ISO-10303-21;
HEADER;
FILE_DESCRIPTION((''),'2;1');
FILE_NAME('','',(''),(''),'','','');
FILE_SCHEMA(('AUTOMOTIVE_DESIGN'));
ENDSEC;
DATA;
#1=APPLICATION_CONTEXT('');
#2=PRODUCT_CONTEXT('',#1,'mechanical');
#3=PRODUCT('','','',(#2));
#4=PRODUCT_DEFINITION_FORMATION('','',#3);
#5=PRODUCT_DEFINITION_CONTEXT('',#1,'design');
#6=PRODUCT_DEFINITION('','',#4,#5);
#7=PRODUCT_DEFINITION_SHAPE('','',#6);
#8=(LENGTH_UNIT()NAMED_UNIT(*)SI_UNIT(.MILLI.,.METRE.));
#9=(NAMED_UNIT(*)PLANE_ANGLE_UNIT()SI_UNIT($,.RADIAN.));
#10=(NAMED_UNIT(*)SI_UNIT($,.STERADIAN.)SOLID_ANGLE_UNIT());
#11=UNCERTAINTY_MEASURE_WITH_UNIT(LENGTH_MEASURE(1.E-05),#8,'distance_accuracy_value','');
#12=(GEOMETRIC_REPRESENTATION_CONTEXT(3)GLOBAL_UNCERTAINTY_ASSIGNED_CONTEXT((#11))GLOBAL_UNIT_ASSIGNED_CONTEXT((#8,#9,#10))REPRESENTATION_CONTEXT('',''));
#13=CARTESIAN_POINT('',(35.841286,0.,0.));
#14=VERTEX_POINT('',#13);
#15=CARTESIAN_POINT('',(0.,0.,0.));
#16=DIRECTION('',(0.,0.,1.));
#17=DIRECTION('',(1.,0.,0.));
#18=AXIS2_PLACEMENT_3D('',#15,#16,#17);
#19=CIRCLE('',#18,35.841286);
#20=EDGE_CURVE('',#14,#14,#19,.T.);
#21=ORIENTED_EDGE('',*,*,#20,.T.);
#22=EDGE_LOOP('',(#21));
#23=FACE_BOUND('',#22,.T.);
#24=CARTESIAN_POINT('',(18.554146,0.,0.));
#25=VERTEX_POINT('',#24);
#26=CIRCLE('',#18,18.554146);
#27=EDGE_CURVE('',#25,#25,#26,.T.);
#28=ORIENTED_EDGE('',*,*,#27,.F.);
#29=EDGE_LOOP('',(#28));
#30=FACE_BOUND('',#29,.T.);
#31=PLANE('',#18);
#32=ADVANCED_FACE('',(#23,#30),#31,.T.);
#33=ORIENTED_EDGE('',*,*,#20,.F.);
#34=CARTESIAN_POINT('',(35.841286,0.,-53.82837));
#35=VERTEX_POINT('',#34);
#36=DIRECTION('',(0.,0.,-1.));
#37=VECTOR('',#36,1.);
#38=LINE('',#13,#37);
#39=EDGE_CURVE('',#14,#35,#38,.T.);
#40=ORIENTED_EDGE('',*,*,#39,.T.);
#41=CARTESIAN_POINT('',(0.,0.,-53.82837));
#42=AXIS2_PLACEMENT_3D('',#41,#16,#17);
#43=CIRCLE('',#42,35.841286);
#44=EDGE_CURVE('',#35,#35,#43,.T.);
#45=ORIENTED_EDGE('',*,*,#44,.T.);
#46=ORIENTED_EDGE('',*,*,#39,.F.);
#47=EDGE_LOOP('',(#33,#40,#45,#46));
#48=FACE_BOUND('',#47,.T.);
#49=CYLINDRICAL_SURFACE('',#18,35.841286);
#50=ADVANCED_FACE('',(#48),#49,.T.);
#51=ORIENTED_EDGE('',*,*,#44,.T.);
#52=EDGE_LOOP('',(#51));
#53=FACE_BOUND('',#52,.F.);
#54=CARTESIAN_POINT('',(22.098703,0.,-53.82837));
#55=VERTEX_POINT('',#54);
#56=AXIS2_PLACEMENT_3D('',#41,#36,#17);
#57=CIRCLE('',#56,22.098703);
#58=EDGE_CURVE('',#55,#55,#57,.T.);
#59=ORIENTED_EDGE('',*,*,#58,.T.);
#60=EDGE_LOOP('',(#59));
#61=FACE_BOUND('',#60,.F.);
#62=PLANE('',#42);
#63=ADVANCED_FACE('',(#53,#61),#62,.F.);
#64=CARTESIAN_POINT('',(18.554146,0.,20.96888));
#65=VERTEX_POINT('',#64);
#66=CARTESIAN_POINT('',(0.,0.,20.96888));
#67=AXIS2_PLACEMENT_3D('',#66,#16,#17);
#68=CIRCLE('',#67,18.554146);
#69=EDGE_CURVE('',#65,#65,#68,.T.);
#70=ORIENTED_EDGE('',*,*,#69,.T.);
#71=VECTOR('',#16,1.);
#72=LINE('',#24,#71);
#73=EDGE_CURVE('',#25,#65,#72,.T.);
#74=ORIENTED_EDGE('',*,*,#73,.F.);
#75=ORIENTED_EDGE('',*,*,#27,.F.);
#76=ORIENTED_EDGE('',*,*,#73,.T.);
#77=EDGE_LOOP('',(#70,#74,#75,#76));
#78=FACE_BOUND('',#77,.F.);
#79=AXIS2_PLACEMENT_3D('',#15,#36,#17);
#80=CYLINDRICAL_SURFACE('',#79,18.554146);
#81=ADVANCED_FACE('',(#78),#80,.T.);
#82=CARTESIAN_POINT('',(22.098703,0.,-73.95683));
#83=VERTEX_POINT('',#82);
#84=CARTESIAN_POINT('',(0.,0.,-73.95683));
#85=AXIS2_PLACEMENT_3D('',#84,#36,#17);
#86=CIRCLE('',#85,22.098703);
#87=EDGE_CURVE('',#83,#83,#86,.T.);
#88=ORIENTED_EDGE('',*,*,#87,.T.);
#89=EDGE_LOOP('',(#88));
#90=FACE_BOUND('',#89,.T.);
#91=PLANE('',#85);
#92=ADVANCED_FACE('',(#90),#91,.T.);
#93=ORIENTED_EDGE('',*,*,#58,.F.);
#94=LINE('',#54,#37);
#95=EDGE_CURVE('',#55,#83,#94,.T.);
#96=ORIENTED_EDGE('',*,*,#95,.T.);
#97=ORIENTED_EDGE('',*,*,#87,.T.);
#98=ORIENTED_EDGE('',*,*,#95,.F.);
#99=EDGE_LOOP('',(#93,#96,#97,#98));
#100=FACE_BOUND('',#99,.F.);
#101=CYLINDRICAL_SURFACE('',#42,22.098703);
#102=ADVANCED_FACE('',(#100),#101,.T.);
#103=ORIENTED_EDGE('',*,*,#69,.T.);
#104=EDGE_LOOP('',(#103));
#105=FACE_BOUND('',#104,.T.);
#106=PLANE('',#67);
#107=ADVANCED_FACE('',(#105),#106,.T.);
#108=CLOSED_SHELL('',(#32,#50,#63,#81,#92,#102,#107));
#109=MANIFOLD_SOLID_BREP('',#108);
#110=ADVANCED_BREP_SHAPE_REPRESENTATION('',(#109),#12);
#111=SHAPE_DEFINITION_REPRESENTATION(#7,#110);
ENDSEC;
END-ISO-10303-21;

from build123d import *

# Parameters (mm, degrees)
F0_R     = 18.554146
F1_DEPTH = 20.96888
F2_R     = 35.841286
F3_DEPTH = 53.82837
F5_R     = 22.098703
F6_DEPTH = 20.12846


with BuildPart() as f1:
    # F0 (on Top) → F1 (new body)
    with BuildSketch(Plane.XY):
        Circle(F0_R)
    extrude(amount=F1_DEPTH)

    # F2 (on Top) → F3 (join)
    with BuildSketch(Plane.XY):
        Circle(F2_R)
    extrude(amount=-F3_DEPTH)

    # F5 (on face) → F6 (join)
    with BuildSketch(Plane(origin=(0, 0, -53.82837), x_dir=(1, 0, 0), z_dir=(0, 0, -1))):
        Circle(F5_R)
    extrude(amount=F6_DEPTH)


solid = f1.part
